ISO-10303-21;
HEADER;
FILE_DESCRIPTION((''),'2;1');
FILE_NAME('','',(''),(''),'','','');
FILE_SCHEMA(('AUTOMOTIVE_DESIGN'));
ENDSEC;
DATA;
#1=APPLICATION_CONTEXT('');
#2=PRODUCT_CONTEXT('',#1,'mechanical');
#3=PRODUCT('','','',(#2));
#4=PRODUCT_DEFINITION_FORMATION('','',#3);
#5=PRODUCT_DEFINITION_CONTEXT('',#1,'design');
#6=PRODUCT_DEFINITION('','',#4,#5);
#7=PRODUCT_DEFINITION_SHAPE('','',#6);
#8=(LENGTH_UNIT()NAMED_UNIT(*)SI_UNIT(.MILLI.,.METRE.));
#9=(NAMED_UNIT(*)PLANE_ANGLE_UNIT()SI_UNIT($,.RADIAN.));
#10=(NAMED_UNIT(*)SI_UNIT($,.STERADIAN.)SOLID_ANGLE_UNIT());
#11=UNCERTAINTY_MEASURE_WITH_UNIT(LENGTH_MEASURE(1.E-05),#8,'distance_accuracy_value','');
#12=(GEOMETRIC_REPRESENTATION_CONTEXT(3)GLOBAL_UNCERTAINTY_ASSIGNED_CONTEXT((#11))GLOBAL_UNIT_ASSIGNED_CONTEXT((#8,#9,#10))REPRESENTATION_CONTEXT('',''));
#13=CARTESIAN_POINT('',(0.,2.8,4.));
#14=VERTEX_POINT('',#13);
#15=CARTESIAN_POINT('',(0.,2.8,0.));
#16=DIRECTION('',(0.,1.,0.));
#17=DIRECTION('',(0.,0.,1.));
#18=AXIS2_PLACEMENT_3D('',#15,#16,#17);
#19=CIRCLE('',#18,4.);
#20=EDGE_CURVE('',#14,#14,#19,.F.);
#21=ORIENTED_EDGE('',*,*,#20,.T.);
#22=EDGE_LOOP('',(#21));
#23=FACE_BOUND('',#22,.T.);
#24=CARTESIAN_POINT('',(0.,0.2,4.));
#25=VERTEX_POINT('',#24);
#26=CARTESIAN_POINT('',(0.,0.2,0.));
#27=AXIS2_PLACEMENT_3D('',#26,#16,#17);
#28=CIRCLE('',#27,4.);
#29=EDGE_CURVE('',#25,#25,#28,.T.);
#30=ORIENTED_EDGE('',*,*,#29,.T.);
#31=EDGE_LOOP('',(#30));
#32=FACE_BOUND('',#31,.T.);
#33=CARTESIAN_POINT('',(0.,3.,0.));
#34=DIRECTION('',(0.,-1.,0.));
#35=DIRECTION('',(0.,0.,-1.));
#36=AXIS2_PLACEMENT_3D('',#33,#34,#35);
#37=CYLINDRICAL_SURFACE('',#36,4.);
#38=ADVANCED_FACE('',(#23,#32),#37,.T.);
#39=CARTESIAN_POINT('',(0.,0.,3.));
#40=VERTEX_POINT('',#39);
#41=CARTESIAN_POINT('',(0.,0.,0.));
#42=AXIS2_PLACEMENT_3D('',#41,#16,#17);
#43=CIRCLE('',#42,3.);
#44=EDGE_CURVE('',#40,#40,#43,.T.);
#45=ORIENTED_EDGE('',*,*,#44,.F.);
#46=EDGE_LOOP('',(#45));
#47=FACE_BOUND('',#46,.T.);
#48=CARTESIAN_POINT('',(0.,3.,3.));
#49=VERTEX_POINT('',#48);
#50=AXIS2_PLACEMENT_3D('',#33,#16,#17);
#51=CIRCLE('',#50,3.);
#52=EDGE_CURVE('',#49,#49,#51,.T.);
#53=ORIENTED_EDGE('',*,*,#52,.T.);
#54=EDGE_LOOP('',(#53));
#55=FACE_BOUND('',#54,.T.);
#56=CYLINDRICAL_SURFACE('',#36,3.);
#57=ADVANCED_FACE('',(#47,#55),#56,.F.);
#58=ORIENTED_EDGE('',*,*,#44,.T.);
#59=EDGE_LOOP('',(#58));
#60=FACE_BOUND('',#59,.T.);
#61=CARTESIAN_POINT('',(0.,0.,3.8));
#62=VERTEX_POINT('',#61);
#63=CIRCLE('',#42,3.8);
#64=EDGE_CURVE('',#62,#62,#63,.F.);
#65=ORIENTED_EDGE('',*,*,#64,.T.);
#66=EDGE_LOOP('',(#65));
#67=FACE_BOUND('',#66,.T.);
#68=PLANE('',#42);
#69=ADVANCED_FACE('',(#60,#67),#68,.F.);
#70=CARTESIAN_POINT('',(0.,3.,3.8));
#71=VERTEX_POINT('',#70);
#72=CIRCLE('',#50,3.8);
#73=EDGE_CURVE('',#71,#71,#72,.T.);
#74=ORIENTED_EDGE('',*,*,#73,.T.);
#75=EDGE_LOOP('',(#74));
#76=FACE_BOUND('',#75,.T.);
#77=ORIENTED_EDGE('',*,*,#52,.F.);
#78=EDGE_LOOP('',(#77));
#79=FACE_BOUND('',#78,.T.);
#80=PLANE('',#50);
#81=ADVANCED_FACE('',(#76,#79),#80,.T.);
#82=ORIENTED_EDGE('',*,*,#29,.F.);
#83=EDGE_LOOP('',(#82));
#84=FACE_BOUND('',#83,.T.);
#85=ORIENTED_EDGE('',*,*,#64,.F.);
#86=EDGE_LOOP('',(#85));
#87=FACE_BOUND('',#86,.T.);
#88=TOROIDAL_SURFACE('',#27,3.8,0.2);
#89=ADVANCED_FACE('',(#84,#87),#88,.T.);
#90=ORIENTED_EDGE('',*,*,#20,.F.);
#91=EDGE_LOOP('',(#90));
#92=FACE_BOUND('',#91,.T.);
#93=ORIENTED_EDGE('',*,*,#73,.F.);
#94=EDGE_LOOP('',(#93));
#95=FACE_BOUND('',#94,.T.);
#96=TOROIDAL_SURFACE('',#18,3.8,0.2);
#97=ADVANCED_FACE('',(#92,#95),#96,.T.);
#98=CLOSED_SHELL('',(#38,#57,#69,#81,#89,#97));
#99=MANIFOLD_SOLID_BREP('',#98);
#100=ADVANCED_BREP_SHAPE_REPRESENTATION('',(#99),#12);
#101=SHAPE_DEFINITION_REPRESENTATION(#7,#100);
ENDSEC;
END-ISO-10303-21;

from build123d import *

# Parameters (mm, degrees)
SKIZZE1_R                       = 4
SKIZZE1_R_2                     = 3
AUFSATZ_LINEAR_AUSTRAGEN1_DEPTH = 3
VERRUNDUNG1_R                   = 0.2


with BuildPart() as part:
    # Skizze1 → Aufsatz-Linear austragen1 (new body)
    with BuildSketch(Plane(origin=(0, 0, 0), x_dir=(1, 0, 0), z_dir=(0, 1, 0))):
        with Locations(Location((0, 0, 0), (0, 0, 270))):
            Circle(SKIZZE1_R)
        with Locations(Location((0, 0, 0), (0, 0, 270))):
            Circle(SKIZZE1_R_2, mode=Mode.SUBTRACT)
    extrude(amount=AUFSATZ_LINEAR_AUSTRAGEN1_DEPTH)

    # Verrundung1
    verrundung1_edges = [part.edges().sort_by_distance(p)[0] for p in [
        (0, 0, -4),
        (0, 3, -4),
    ]]
    fillet(verrundung1_edges, radius=VERRUNDUNG1_R)


solid = part.part
